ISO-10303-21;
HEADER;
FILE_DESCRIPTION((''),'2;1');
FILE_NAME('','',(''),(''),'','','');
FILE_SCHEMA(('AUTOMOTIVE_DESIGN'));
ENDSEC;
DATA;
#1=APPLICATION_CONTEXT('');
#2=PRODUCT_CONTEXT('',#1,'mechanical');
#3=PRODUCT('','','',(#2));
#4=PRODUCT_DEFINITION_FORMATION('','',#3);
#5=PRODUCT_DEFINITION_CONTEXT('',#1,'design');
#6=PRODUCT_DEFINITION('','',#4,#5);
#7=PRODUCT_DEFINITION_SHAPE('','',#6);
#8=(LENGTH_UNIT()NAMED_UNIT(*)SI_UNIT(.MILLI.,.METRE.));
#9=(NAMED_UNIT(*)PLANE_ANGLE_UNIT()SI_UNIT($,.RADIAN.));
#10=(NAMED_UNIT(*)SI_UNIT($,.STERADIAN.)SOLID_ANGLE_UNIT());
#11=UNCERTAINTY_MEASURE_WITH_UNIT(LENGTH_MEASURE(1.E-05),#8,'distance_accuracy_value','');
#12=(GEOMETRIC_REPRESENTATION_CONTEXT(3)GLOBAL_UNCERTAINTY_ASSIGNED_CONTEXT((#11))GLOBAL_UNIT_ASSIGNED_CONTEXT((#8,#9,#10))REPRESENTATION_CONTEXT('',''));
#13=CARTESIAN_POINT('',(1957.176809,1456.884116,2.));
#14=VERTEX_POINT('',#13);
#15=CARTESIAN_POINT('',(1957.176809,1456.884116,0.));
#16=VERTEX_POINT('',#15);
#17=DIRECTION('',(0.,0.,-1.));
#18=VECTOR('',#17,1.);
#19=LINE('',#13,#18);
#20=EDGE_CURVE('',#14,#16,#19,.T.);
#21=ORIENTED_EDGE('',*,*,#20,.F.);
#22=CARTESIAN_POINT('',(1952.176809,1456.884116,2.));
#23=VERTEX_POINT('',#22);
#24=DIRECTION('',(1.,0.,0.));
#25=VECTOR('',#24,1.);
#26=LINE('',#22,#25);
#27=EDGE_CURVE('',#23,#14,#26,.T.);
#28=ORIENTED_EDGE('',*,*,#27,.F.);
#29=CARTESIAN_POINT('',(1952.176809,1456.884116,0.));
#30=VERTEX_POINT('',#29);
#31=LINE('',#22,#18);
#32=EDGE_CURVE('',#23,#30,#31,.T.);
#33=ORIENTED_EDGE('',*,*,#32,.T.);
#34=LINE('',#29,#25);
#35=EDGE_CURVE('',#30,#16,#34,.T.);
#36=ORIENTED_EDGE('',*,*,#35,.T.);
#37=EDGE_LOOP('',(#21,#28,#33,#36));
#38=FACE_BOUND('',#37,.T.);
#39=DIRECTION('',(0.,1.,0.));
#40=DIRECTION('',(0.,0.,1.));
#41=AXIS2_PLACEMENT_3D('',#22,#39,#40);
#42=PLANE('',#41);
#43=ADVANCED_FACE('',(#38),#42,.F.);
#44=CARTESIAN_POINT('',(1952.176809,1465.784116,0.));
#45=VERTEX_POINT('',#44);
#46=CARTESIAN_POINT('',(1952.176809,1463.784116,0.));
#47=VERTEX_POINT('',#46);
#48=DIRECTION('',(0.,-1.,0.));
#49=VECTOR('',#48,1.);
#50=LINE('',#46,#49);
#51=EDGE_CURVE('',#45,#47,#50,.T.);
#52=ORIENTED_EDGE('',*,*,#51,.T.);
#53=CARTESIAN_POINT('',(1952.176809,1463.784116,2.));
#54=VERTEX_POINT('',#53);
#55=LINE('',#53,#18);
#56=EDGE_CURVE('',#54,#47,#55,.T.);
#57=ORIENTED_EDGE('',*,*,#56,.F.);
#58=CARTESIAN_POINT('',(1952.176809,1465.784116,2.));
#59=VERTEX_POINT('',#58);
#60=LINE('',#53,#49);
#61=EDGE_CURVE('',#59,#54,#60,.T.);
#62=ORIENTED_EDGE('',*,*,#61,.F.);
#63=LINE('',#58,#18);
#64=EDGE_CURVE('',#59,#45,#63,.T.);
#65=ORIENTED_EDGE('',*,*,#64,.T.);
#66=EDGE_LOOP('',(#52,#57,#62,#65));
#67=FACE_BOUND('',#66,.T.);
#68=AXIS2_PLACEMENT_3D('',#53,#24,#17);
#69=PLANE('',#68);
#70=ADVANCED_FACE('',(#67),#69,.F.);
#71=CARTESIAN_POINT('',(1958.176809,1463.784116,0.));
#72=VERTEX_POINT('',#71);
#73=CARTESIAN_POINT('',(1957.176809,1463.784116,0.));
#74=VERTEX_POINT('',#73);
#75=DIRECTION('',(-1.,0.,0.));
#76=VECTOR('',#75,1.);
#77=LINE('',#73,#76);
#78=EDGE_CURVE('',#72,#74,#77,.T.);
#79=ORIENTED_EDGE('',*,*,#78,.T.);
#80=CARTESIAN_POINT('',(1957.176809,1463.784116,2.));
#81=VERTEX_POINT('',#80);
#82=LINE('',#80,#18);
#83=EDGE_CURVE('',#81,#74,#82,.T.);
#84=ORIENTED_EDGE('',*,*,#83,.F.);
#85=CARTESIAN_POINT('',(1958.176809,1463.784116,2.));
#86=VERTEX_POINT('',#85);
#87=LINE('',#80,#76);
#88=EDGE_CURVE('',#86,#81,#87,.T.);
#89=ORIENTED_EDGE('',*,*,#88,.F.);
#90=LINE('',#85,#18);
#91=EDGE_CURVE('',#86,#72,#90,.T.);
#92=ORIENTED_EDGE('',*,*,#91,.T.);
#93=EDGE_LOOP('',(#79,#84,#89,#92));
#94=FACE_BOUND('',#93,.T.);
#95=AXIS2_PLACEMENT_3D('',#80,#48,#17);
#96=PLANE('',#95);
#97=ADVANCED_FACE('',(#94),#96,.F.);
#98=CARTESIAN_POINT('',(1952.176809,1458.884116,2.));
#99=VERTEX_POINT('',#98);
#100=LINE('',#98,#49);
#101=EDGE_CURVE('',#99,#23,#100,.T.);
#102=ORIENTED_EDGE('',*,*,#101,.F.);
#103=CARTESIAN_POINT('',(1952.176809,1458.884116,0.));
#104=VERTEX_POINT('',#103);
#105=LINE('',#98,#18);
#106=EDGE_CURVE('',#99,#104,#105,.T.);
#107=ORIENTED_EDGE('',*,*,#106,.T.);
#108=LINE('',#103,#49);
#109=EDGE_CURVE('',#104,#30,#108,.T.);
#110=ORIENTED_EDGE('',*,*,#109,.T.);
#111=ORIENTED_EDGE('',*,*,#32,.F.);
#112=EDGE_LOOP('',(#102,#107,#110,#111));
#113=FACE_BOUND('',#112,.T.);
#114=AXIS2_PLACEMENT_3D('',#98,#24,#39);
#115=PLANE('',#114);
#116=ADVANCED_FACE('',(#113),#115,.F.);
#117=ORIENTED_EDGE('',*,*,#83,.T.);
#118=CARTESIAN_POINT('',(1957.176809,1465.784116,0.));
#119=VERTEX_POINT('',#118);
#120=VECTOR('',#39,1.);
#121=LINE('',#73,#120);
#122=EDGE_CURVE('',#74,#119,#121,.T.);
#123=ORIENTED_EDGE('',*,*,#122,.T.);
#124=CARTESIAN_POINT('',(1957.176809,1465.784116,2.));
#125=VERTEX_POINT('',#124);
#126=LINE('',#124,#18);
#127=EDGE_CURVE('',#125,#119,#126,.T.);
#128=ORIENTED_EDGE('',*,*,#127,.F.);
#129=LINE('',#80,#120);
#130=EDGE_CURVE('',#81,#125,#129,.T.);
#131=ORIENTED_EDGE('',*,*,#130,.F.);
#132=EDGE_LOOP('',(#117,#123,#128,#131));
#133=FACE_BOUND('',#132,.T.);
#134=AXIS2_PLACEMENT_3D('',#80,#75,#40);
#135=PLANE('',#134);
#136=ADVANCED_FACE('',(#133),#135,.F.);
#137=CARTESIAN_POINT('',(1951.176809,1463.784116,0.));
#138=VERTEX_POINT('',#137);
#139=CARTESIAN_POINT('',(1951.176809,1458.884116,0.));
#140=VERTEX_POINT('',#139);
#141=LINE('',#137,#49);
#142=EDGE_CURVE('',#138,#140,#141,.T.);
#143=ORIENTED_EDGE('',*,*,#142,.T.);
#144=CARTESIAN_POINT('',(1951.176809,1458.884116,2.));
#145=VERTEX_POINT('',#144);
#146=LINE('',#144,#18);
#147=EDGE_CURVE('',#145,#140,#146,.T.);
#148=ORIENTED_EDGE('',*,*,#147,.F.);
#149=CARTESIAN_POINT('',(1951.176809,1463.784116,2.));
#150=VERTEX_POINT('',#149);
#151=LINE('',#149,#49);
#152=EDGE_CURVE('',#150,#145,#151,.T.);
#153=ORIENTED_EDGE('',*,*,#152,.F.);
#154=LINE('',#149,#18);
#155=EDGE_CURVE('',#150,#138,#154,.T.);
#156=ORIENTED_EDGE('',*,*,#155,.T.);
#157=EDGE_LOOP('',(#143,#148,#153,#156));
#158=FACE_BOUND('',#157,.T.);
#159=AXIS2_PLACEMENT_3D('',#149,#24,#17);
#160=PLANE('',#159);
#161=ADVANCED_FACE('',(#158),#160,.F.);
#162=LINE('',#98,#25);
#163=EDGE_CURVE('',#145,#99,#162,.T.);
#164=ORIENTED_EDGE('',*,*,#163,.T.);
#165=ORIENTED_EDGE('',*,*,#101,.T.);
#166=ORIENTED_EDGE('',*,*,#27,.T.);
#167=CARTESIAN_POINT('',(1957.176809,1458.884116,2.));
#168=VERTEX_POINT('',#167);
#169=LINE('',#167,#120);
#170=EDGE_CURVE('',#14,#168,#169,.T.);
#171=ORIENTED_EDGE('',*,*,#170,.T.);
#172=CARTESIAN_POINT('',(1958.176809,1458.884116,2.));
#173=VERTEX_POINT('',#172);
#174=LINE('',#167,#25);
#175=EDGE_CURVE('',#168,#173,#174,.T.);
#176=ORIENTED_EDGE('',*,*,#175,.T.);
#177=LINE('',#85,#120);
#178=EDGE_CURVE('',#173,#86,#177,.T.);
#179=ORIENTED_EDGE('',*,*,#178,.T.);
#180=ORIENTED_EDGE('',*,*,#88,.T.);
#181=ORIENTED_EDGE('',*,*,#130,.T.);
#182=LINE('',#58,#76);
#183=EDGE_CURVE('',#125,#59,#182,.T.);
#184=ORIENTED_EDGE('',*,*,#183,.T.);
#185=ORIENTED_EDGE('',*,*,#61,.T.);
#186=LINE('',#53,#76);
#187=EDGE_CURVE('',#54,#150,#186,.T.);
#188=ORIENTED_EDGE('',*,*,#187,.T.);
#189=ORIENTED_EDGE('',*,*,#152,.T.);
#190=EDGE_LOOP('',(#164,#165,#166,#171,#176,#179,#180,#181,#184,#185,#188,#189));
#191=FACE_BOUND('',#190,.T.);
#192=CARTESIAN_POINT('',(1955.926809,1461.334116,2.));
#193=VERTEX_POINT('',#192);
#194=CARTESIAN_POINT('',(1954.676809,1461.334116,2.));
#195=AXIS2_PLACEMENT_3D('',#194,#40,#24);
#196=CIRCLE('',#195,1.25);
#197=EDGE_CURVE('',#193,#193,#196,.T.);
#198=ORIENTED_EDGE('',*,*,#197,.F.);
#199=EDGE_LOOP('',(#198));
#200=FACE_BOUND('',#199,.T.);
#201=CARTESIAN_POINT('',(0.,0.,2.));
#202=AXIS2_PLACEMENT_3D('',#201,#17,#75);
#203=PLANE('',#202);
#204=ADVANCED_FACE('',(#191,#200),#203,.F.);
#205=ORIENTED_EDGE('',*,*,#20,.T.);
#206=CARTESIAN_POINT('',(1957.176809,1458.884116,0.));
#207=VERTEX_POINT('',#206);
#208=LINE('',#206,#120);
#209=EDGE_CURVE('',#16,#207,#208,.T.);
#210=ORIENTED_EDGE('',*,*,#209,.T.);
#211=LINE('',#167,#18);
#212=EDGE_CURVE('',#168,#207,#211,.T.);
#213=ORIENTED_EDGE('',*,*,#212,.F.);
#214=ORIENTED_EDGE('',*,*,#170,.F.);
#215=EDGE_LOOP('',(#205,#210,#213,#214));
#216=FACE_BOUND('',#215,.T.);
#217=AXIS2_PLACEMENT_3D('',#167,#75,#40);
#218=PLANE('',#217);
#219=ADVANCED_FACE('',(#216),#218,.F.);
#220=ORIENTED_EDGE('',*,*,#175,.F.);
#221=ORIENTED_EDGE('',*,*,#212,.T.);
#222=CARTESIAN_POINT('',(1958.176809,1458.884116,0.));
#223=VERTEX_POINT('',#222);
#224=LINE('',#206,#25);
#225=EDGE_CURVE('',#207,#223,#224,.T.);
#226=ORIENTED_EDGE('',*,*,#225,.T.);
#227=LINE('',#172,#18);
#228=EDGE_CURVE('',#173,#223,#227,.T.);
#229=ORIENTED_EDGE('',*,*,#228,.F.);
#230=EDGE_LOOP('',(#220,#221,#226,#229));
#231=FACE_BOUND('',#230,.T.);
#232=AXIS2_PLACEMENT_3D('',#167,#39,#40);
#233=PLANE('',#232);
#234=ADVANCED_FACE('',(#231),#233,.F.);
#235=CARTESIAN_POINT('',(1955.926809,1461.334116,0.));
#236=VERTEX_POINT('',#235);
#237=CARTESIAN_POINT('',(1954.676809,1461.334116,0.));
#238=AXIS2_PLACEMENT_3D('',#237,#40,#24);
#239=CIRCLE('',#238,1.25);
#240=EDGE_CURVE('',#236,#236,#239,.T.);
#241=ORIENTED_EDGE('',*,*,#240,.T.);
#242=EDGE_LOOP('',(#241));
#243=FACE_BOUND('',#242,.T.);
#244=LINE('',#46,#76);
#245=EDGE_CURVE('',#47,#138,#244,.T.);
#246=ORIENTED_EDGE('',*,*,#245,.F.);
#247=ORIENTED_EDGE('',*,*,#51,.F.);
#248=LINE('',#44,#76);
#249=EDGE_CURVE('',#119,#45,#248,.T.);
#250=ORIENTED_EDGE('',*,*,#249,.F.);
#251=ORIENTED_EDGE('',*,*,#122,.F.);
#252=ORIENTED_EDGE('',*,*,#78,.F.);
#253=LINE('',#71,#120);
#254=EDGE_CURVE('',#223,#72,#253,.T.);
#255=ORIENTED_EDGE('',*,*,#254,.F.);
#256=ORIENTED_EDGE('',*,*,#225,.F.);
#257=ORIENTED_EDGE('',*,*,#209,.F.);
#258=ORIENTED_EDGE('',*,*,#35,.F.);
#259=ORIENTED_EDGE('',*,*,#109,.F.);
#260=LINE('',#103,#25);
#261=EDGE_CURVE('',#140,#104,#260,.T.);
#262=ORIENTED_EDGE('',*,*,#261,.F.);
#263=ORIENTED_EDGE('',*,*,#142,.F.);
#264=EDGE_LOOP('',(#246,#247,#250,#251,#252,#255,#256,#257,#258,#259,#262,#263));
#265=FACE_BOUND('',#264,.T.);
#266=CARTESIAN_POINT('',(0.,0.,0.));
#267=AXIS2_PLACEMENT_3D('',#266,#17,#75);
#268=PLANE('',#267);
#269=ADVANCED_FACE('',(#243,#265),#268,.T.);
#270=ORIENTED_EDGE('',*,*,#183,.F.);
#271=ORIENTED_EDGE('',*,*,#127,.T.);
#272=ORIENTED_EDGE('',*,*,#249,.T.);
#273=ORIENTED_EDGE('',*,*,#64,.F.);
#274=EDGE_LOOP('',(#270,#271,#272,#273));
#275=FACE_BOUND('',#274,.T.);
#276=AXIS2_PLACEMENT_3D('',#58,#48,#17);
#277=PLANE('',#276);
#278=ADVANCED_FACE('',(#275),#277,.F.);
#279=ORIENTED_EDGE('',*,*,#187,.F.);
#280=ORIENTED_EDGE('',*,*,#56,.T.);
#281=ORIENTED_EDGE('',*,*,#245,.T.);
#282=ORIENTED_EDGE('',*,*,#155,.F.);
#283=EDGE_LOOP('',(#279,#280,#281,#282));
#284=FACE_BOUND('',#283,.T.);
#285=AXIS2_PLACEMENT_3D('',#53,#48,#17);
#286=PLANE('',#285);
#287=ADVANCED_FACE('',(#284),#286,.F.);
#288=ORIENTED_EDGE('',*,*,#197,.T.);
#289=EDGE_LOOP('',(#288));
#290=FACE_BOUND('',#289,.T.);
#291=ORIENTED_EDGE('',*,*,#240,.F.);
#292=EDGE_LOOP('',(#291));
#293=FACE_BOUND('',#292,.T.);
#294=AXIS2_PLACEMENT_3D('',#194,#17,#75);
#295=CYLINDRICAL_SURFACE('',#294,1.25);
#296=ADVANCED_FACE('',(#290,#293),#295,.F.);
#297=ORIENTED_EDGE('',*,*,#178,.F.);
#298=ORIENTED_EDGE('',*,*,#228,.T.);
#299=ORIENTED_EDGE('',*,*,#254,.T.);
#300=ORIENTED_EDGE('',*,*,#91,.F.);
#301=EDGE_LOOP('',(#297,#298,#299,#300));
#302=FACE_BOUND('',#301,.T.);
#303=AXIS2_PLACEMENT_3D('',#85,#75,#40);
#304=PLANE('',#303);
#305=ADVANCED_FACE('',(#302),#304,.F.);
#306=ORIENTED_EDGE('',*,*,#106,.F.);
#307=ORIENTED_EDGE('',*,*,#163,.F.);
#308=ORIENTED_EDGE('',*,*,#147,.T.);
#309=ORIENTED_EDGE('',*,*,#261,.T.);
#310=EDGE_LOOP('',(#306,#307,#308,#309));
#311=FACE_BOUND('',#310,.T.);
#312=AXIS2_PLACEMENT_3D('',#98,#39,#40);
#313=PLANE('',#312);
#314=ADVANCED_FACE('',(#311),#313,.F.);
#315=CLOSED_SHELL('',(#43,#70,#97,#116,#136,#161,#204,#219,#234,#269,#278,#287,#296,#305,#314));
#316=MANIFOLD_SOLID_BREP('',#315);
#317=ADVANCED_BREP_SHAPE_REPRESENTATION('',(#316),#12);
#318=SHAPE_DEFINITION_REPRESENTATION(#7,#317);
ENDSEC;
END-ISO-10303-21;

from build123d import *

# Parameters (mm, degrees)
SKETCH1_R           = 1.25
BOSS_EXTRUDE1_DEPTH = 2


with BuildPart() as part:
    # Sketch1 → Boss-Extrude1 (new body)
    with BuildSketch(Plane.XY):
        Polygon((1952.176808721, 1465.784115951), (1957.176808721, 1465.784115951), (1957.176808721, 1463.784115951), (1958.176808721, 1463.784115951), (1958.176808721, 1458.884115951), (1957.176808721, 1458.884115951), (1957.176808721, 1456.884115951), (1952.176808721, 1456.884115951), (1952.176808721, 1458.884115951), (1951.176808721, 1458.884115951), (1951.176808721, 1463.784115951), (1952.176808721, 1463.784115951), align=None)
        with Locations((1954.676808721, 1461.334115951)):
            Circle(SKETCH1_R, mode=Mode.SUBTRACT)
    extrude(amount=BOSS_EXTRUDE1_DEPTH)


solid = part.part
